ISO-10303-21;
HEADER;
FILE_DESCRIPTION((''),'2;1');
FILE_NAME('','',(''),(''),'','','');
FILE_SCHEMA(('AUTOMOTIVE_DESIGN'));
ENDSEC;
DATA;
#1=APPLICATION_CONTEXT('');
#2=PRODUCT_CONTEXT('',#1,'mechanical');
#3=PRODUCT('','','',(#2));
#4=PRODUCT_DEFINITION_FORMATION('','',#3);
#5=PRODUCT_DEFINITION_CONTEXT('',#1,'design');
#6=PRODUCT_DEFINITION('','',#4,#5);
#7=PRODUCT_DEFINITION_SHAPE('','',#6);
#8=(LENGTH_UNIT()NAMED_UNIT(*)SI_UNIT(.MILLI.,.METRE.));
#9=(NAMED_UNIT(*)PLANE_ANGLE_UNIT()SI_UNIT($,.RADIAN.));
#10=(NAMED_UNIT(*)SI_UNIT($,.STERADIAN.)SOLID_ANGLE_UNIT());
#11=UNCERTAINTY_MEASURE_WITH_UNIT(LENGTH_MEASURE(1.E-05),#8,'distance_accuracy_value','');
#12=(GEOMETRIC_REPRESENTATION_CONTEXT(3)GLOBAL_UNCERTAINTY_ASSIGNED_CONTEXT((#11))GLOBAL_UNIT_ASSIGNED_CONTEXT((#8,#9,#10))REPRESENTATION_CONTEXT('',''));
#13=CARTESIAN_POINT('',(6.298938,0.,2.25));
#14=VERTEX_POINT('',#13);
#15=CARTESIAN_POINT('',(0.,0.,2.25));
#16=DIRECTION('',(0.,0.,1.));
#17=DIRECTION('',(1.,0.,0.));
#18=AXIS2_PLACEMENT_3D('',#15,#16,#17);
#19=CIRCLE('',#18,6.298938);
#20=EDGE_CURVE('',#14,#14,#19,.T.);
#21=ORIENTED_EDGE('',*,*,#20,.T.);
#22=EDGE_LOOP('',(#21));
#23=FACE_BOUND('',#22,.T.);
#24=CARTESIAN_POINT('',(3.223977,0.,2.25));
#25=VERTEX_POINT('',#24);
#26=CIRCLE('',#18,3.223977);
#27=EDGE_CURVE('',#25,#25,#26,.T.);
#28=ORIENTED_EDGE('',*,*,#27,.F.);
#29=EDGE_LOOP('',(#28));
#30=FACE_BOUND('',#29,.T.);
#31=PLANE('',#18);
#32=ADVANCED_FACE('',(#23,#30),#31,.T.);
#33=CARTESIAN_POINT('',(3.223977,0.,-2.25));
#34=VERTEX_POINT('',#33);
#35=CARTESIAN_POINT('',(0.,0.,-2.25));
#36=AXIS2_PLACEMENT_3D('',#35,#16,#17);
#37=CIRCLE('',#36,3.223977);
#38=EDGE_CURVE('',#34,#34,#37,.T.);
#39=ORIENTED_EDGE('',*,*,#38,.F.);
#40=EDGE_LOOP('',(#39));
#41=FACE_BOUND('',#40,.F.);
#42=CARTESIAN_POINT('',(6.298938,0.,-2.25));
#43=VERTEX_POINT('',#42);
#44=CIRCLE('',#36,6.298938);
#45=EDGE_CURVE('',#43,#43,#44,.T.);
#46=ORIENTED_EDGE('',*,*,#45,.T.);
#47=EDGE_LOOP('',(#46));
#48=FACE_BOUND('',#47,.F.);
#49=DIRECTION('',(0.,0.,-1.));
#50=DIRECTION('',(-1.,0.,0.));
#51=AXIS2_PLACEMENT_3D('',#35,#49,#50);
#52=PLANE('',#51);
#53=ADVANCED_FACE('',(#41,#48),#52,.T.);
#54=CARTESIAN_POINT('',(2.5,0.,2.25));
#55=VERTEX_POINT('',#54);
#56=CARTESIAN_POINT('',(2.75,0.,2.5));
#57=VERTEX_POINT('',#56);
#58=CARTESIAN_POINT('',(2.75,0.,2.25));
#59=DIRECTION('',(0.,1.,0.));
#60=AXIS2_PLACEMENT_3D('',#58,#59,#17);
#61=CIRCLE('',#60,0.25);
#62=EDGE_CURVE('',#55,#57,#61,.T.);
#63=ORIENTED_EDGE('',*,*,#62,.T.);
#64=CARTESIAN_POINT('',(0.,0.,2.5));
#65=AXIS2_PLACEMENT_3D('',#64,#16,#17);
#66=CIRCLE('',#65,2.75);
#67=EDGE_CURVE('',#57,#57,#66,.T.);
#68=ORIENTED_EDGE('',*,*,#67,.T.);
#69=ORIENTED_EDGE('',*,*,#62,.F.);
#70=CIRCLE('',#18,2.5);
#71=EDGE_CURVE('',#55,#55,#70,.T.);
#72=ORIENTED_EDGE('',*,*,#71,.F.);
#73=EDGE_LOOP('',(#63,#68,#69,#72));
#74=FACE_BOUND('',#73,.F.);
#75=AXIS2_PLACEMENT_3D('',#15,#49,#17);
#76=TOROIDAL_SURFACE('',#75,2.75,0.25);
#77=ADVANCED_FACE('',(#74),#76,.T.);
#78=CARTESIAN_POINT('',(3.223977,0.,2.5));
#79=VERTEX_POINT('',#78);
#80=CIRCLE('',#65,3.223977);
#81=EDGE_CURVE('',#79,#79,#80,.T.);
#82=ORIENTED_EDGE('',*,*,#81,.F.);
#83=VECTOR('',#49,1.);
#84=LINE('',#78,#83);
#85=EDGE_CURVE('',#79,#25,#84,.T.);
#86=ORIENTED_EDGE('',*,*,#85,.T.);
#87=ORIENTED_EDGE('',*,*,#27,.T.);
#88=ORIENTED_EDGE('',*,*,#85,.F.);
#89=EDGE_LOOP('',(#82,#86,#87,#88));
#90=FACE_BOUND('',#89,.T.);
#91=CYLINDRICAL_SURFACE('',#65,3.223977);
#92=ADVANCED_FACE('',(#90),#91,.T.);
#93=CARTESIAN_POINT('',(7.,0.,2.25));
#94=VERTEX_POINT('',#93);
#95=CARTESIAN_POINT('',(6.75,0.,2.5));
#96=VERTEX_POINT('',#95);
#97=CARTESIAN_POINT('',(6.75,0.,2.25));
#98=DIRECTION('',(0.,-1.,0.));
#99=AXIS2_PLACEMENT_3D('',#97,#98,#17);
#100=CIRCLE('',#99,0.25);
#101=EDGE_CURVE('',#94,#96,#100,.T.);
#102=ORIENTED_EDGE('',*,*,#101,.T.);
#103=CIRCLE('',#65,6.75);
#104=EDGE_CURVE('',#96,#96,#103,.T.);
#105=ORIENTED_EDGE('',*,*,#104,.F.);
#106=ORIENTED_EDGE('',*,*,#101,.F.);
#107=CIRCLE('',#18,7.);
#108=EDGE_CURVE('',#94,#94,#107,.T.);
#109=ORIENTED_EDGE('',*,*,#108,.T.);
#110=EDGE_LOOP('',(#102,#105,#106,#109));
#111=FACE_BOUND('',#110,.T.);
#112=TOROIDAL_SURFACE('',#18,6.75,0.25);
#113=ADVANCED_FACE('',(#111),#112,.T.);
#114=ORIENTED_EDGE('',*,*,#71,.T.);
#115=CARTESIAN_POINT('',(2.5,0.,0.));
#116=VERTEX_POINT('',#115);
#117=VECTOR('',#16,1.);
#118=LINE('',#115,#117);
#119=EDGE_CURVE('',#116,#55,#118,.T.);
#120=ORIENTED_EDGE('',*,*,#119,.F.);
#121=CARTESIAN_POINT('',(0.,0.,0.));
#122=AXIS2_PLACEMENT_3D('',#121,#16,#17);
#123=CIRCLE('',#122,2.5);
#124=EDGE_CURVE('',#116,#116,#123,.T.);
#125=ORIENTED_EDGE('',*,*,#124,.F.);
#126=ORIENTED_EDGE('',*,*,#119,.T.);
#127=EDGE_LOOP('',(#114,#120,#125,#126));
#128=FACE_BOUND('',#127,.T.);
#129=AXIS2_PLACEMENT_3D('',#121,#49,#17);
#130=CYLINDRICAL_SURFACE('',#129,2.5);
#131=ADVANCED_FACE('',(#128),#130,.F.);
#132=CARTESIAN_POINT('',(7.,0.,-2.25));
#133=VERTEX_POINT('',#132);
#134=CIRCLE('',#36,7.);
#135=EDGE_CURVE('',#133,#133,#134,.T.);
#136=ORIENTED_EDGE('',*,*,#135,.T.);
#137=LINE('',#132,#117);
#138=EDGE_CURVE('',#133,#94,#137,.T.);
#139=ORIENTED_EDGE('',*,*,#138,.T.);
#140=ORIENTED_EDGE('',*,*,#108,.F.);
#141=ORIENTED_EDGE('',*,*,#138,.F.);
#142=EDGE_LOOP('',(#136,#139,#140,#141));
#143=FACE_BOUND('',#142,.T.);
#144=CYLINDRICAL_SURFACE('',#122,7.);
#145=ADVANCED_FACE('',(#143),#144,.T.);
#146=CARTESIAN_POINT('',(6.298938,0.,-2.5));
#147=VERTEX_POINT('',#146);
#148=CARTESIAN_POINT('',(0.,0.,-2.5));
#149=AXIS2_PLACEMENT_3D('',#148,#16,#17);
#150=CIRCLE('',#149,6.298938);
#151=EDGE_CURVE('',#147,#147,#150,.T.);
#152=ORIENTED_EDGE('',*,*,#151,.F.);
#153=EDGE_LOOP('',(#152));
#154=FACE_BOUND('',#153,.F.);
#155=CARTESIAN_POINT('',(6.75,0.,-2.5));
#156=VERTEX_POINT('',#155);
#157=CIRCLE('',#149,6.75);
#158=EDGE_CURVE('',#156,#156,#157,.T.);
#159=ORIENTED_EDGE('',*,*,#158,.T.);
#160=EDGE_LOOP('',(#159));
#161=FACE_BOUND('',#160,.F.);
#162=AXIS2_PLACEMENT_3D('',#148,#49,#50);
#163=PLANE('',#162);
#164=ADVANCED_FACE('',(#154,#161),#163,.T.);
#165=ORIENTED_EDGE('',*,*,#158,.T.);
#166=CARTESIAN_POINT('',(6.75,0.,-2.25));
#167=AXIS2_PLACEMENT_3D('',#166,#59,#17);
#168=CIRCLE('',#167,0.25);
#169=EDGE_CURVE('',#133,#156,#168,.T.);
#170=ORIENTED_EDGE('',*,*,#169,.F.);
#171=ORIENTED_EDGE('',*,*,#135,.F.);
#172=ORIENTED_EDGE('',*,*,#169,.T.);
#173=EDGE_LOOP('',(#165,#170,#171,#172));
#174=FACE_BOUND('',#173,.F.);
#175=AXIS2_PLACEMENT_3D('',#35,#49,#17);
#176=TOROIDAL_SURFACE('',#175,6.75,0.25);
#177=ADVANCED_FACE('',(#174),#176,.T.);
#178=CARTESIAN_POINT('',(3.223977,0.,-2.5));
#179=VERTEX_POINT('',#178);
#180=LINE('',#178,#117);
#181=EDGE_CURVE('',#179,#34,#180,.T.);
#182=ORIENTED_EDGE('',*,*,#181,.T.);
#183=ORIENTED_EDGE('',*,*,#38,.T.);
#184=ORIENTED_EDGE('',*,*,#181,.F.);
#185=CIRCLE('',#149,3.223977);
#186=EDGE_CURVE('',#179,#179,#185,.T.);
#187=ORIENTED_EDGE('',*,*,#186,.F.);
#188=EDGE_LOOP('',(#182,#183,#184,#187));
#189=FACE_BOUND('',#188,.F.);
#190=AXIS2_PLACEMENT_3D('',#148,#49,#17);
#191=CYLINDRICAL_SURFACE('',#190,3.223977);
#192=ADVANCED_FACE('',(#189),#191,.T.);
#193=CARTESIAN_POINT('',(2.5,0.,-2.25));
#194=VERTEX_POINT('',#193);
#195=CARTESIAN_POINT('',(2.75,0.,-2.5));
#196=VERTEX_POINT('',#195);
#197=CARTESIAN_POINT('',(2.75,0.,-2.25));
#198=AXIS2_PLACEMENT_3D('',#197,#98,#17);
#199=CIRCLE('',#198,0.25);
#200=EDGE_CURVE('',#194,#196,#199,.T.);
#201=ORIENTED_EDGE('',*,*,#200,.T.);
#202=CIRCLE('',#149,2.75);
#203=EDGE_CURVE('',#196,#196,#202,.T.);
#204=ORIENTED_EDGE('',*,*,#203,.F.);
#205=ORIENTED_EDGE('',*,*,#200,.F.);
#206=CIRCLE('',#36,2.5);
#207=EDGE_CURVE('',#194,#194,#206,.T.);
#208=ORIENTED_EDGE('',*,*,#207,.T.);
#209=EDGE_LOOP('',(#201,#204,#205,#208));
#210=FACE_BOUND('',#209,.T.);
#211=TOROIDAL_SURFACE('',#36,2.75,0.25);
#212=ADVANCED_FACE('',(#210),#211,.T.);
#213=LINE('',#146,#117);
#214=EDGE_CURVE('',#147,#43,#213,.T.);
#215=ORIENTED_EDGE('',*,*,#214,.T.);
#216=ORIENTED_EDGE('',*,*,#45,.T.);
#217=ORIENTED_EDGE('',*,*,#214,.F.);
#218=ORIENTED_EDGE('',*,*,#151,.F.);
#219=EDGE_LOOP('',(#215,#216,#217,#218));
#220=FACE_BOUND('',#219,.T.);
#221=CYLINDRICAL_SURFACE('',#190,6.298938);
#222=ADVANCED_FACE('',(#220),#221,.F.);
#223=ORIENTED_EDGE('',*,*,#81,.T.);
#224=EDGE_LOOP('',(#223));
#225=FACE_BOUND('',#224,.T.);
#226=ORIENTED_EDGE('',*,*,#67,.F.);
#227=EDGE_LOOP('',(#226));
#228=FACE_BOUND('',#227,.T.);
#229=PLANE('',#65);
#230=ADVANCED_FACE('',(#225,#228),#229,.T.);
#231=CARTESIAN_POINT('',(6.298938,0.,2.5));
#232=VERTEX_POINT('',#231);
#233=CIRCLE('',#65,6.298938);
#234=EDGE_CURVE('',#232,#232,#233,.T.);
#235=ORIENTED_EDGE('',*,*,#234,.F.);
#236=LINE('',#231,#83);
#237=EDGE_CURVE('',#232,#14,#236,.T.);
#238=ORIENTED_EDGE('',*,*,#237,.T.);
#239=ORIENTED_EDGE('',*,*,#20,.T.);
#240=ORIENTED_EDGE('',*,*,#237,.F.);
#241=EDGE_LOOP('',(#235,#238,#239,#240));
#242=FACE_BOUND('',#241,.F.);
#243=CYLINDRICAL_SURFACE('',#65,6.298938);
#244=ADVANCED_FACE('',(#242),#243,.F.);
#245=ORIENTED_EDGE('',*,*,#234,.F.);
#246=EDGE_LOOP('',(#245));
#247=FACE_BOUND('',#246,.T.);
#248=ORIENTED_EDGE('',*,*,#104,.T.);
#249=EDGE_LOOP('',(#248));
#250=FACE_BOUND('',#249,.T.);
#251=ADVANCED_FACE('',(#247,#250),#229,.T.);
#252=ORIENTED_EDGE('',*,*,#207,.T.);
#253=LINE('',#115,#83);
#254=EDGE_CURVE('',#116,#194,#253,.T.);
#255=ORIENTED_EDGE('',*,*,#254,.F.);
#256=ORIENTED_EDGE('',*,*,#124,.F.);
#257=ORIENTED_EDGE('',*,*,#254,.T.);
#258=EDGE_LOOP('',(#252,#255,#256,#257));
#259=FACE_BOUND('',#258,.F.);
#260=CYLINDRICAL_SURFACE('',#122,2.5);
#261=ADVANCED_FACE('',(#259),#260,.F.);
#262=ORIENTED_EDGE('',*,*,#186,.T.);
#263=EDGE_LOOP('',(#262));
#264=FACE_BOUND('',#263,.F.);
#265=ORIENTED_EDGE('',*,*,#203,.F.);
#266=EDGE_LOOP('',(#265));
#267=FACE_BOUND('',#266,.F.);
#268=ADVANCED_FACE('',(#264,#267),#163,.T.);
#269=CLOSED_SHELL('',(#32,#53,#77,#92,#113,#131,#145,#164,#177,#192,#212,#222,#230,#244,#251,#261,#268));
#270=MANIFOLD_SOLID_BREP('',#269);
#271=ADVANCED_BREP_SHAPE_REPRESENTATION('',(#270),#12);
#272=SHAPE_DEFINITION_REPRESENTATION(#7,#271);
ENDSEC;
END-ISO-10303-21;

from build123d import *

# Parameters (mm, degrees)
F0_R     = 7
F0_R_2   = 2.5
F1_DEPTH = 2.5
F2_R     = 6.298938
F2_R_2   = 3.223977
F3_DEPTH = 0.25
F4_R     = 0.25


with BuildPart() as f1:
    # F0 (on Top) → F1 (new body)
    with BuildSketch(Plane.XY):
        Circle(F0_R)
        Circle(F0_R_2, mode=Mode.SUBTRACT)
    extrude(amount=F1_DEPTH)

    # F2 (on face) → F3 (cut)
    with BuildSketch(Plane.XY.offset(2.5)):
        Circle(F2_R)
        Circle(F2_R_2, mode=Mode.SUBTRACT)
    extrude(amount=-F3_DEPTH, mode=Mode.SUBTRACT)

    # F4
    f4_edges = [f1.edges().sort_by_distance(p)[0] for p in [
        (-7, 0, 2.5),
        (-2.5, 0, 2.5),
    ]]
    fillet(f4_edges, radius=F4_R)

    # F5: F1 across face


with BuildPart() as f1_1:
    add(f1.part)
    add(f1.part.mirror(Plane(origin=(0, 0, 0), x_dir=(1, 0, 0), z_dir=(0, 0, -1))))


solid = f1_1.part
